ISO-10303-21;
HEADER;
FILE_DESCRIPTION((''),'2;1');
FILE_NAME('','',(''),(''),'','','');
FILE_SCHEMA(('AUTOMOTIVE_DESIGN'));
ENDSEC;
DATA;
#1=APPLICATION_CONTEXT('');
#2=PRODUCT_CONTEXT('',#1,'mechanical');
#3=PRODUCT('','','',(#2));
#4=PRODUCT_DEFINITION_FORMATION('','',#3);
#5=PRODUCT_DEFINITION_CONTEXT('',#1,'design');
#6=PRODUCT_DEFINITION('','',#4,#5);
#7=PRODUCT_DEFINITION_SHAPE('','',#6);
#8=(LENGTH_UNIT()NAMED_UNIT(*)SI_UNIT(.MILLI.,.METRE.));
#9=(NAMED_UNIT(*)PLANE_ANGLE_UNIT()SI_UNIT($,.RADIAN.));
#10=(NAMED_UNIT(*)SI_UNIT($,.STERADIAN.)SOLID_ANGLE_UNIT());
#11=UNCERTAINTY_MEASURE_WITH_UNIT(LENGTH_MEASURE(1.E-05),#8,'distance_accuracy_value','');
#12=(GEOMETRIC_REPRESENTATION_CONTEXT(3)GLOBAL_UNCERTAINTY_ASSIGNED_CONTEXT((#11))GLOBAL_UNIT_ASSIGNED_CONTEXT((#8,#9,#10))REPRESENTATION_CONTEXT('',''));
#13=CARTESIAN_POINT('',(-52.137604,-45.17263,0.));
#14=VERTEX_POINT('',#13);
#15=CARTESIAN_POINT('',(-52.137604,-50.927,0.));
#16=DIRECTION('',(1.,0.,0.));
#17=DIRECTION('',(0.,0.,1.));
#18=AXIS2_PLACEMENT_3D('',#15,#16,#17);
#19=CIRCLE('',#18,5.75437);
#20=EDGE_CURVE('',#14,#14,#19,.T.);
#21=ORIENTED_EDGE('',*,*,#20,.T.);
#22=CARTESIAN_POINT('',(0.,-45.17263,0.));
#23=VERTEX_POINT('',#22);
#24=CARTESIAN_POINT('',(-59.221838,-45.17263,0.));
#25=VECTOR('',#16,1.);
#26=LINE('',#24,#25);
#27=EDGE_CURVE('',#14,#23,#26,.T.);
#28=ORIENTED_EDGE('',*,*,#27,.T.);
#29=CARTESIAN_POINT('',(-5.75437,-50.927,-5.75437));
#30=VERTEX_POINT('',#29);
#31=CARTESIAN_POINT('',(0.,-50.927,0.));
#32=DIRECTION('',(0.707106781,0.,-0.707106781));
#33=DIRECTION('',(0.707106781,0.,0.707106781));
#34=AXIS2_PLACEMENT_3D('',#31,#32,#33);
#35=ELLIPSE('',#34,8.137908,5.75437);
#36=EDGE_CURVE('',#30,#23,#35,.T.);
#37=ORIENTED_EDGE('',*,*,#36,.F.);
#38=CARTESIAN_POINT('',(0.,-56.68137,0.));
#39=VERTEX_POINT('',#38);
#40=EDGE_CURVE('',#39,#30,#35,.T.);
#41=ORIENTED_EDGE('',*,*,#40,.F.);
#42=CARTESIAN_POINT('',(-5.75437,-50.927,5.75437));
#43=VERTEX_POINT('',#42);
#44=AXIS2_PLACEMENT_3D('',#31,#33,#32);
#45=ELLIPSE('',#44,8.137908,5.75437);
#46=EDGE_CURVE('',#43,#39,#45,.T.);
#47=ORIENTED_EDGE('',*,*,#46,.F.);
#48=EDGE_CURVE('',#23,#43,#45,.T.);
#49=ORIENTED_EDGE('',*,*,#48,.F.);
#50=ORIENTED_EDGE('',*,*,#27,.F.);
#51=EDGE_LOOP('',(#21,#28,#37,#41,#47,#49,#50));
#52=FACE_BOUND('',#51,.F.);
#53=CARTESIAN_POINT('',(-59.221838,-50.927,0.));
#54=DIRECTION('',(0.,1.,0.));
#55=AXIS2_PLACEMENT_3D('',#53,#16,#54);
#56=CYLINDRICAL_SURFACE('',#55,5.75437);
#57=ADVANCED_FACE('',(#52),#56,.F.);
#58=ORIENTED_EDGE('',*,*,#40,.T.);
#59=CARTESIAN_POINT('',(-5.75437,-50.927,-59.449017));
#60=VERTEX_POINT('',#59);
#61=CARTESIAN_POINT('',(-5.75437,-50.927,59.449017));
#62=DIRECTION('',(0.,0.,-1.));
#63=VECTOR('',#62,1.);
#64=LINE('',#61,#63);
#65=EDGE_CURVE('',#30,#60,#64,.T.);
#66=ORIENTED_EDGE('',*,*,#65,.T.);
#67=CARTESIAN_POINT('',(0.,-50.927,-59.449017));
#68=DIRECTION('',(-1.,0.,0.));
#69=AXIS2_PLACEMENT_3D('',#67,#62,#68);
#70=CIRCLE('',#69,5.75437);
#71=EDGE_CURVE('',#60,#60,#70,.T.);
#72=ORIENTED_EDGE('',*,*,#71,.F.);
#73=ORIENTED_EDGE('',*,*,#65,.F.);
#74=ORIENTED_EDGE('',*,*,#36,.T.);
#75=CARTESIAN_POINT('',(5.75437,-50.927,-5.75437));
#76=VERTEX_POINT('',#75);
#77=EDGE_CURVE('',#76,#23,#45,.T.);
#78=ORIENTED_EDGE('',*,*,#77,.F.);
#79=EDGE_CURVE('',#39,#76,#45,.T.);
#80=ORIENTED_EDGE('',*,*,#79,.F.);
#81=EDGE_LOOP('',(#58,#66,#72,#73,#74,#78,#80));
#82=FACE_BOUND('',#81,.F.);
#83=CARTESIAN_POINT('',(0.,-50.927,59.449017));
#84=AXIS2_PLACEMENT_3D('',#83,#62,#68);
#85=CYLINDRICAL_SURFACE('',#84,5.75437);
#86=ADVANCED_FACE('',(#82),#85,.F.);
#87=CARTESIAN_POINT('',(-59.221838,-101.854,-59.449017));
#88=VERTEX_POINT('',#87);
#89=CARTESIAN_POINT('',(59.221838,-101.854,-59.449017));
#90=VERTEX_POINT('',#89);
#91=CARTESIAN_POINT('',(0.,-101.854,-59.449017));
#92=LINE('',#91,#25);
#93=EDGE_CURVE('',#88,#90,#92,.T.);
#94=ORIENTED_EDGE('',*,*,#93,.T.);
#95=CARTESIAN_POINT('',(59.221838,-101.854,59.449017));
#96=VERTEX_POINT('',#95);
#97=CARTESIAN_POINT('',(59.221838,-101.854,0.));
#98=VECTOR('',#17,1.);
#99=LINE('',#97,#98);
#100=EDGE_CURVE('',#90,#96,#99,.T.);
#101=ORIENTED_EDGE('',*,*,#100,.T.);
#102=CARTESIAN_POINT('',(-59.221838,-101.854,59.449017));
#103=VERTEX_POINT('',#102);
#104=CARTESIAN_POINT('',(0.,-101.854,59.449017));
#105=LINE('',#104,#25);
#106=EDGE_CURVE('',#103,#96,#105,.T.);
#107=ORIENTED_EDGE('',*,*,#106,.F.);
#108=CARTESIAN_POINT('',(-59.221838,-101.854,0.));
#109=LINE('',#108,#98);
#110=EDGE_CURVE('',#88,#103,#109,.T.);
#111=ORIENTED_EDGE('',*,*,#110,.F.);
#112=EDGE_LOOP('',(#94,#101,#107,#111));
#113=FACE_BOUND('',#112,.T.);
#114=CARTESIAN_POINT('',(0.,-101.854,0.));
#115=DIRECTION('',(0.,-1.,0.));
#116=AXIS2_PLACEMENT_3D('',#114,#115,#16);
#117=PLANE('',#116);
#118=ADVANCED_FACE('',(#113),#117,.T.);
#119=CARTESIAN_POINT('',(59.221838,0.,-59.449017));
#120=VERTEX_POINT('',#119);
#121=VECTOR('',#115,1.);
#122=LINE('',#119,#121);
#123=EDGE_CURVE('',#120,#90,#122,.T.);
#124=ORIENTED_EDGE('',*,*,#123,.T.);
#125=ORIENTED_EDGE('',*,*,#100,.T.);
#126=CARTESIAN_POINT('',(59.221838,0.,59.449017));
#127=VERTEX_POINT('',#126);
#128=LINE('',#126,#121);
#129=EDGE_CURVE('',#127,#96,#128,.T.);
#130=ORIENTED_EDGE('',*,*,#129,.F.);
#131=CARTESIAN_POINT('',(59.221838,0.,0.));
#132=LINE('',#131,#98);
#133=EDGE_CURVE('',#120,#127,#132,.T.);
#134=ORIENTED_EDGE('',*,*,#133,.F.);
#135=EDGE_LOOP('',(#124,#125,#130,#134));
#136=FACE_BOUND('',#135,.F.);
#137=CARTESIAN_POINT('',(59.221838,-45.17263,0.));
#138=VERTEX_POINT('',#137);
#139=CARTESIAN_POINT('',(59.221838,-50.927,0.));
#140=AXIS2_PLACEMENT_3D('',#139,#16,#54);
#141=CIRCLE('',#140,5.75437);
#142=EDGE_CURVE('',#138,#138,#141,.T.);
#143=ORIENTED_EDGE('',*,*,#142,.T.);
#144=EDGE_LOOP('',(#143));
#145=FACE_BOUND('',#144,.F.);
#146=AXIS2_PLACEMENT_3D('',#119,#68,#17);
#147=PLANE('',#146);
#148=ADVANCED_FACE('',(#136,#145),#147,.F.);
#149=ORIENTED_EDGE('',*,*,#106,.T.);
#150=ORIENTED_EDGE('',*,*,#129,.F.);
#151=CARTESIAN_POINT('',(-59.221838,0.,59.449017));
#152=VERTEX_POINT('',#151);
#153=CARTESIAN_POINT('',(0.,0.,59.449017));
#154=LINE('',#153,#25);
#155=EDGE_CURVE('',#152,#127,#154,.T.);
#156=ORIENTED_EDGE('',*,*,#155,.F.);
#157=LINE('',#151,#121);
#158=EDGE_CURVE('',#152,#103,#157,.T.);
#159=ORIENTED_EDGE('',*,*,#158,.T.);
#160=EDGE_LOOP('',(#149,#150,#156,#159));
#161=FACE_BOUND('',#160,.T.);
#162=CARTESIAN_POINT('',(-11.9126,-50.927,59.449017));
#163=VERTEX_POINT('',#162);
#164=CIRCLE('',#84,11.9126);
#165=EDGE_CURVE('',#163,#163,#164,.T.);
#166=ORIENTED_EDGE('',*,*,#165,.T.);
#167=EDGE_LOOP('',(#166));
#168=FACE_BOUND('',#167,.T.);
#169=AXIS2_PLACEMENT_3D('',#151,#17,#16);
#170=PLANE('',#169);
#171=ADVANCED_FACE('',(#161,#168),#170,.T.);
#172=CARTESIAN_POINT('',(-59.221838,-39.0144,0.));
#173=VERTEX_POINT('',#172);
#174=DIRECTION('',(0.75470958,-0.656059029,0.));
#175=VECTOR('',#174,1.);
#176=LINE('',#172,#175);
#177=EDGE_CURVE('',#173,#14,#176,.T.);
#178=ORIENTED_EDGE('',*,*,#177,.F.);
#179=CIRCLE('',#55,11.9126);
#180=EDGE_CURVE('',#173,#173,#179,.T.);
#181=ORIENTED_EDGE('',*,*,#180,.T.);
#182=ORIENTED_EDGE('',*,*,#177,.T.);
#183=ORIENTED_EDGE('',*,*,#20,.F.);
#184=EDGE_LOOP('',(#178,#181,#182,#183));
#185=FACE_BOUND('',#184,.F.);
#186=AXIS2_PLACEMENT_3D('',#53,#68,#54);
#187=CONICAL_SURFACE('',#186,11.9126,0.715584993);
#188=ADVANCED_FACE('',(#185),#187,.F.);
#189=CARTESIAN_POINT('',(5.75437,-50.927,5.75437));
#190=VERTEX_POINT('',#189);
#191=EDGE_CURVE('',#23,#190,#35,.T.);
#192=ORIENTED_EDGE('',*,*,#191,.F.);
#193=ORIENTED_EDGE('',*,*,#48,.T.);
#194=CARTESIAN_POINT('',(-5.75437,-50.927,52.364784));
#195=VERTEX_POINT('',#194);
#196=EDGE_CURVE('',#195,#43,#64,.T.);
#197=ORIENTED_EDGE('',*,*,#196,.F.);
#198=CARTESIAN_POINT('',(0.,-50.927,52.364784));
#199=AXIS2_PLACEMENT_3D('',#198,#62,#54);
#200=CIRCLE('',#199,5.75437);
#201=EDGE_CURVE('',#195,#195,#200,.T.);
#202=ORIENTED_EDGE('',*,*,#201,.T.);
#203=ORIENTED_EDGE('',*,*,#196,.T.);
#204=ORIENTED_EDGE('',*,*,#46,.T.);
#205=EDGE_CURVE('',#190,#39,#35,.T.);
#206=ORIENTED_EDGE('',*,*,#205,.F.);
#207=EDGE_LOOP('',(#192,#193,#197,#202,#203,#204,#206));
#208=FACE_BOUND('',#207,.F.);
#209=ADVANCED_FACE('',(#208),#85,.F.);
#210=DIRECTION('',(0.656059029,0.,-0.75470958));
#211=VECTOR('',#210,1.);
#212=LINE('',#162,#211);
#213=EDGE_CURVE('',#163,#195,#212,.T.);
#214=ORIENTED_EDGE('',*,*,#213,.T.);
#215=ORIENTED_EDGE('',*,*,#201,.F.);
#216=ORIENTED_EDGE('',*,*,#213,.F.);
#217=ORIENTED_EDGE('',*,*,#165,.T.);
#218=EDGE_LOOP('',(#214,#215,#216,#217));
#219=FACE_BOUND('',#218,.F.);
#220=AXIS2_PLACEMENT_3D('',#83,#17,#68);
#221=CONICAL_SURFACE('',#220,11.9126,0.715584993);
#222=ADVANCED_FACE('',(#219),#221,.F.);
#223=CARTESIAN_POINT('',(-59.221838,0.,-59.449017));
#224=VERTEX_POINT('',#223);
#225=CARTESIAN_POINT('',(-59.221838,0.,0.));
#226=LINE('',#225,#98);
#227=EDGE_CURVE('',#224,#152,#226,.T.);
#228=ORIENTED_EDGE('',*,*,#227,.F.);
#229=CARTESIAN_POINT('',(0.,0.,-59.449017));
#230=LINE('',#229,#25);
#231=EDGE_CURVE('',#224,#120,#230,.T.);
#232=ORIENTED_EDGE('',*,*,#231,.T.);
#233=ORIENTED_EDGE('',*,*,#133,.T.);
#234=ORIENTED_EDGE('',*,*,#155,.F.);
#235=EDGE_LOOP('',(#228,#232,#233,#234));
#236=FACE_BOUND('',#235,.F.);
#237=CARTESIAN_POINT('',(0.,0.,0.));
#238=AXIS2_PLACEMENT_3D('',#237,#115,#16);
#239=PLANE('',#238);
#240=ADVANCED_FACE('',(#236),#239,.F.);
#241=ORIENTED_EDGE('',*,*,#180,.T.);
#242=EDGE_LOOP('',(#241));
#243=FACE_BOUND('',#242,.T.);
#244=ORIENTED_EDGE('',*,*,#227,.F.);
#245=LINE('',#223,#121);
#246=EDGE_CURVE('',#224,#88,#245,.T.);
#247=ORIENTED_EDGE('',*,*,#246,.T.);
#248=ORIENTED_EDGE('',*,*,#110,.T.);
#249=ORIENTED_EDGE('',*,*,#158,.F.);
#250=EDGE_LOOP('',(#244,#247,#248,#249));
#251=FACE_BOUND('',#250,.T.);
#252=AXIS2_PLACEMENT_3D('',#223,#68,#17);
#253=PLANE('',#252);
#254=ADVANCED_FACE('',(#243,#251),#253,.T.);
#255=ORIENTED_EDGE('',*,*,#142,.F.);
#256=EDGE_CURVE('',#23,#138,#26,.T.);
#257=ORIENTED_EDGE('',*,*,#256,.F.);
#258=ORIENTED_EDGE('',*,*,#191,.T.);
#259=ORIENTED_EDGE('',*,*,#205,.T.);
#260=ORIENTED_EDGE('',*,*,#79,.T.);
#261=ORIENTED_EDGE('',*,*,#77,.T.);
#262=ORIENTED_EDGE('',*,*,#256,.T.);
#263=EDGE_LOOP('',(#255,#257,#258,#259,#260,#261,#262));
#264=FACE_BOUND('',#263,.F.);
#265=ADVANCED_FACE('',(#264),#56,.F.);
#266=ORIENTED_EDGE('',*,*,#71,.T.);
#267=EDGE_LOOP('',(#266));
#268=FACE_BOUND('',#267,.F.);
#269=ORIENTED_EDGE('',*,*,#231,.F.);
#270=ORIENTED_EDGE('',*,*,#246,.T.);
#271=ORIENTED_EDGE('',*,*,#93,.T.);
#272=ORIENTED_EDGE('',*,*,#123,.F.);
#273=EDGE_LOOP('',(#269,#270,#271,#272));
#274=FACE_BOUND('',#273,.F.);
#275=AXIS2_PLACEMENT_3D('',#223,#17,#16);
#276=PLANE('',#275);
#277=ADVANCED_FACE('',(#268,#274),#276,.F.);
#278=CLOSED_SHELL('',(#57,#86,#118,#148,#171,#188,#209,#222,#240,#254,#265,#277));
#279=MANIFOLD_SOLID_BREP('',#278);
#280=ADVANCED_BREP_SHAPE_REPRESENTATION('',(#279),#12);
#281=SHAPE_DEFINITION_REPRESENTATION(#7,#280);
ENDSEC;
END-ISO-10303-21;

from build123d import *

# Parameters (mm, degrees)
F0_W                 = 118.4436753392
F0_H                 = 118.8980340958
F1_DEPTH             = 101.854
F4_D                 = 11.50874
F4_CSINK_D           = 23.8252
F4_CSINK_ANGLE       = 82
F4_ON_F2_D           = 11.50874
F4_ON_F2_CSINK_D     = 23.8252
F4_ON_F2_CSINK_ANGLE = 82


with BuildPart() as f1:
    # F0 (on Front) → F1 (new body)
    with BuildSketch(Plane.XZ):
        Rectangle(F0_W, F0_H)
    extrude(amount=F1_DEPTH)

    # F4 (through all)
    with Locations(Plane(origin=(-59.2218376696, 0, 0), x_dir=(0, -1, 0), z_dir=(-1, 0, 0))):
        with Locations((50.927, 0)):
            CounterSinkHole(F4_D / 2, F4_CSINK_D / 2, counter_sink_angle=F4_CSINK_ANGLE)

    # F4 on F2 (through all)
    with Locations(Plane.XY.offset(59.4490170479)):
        with Locations((0, -50.927)):
            CounterSinkHole(F4_ON_F2_D / 2, F4_ON_F2_CSINK_D / 2, counter_sink_angle=F4_ON_F2_CSINK_ANGLE)


solid = f1.part
